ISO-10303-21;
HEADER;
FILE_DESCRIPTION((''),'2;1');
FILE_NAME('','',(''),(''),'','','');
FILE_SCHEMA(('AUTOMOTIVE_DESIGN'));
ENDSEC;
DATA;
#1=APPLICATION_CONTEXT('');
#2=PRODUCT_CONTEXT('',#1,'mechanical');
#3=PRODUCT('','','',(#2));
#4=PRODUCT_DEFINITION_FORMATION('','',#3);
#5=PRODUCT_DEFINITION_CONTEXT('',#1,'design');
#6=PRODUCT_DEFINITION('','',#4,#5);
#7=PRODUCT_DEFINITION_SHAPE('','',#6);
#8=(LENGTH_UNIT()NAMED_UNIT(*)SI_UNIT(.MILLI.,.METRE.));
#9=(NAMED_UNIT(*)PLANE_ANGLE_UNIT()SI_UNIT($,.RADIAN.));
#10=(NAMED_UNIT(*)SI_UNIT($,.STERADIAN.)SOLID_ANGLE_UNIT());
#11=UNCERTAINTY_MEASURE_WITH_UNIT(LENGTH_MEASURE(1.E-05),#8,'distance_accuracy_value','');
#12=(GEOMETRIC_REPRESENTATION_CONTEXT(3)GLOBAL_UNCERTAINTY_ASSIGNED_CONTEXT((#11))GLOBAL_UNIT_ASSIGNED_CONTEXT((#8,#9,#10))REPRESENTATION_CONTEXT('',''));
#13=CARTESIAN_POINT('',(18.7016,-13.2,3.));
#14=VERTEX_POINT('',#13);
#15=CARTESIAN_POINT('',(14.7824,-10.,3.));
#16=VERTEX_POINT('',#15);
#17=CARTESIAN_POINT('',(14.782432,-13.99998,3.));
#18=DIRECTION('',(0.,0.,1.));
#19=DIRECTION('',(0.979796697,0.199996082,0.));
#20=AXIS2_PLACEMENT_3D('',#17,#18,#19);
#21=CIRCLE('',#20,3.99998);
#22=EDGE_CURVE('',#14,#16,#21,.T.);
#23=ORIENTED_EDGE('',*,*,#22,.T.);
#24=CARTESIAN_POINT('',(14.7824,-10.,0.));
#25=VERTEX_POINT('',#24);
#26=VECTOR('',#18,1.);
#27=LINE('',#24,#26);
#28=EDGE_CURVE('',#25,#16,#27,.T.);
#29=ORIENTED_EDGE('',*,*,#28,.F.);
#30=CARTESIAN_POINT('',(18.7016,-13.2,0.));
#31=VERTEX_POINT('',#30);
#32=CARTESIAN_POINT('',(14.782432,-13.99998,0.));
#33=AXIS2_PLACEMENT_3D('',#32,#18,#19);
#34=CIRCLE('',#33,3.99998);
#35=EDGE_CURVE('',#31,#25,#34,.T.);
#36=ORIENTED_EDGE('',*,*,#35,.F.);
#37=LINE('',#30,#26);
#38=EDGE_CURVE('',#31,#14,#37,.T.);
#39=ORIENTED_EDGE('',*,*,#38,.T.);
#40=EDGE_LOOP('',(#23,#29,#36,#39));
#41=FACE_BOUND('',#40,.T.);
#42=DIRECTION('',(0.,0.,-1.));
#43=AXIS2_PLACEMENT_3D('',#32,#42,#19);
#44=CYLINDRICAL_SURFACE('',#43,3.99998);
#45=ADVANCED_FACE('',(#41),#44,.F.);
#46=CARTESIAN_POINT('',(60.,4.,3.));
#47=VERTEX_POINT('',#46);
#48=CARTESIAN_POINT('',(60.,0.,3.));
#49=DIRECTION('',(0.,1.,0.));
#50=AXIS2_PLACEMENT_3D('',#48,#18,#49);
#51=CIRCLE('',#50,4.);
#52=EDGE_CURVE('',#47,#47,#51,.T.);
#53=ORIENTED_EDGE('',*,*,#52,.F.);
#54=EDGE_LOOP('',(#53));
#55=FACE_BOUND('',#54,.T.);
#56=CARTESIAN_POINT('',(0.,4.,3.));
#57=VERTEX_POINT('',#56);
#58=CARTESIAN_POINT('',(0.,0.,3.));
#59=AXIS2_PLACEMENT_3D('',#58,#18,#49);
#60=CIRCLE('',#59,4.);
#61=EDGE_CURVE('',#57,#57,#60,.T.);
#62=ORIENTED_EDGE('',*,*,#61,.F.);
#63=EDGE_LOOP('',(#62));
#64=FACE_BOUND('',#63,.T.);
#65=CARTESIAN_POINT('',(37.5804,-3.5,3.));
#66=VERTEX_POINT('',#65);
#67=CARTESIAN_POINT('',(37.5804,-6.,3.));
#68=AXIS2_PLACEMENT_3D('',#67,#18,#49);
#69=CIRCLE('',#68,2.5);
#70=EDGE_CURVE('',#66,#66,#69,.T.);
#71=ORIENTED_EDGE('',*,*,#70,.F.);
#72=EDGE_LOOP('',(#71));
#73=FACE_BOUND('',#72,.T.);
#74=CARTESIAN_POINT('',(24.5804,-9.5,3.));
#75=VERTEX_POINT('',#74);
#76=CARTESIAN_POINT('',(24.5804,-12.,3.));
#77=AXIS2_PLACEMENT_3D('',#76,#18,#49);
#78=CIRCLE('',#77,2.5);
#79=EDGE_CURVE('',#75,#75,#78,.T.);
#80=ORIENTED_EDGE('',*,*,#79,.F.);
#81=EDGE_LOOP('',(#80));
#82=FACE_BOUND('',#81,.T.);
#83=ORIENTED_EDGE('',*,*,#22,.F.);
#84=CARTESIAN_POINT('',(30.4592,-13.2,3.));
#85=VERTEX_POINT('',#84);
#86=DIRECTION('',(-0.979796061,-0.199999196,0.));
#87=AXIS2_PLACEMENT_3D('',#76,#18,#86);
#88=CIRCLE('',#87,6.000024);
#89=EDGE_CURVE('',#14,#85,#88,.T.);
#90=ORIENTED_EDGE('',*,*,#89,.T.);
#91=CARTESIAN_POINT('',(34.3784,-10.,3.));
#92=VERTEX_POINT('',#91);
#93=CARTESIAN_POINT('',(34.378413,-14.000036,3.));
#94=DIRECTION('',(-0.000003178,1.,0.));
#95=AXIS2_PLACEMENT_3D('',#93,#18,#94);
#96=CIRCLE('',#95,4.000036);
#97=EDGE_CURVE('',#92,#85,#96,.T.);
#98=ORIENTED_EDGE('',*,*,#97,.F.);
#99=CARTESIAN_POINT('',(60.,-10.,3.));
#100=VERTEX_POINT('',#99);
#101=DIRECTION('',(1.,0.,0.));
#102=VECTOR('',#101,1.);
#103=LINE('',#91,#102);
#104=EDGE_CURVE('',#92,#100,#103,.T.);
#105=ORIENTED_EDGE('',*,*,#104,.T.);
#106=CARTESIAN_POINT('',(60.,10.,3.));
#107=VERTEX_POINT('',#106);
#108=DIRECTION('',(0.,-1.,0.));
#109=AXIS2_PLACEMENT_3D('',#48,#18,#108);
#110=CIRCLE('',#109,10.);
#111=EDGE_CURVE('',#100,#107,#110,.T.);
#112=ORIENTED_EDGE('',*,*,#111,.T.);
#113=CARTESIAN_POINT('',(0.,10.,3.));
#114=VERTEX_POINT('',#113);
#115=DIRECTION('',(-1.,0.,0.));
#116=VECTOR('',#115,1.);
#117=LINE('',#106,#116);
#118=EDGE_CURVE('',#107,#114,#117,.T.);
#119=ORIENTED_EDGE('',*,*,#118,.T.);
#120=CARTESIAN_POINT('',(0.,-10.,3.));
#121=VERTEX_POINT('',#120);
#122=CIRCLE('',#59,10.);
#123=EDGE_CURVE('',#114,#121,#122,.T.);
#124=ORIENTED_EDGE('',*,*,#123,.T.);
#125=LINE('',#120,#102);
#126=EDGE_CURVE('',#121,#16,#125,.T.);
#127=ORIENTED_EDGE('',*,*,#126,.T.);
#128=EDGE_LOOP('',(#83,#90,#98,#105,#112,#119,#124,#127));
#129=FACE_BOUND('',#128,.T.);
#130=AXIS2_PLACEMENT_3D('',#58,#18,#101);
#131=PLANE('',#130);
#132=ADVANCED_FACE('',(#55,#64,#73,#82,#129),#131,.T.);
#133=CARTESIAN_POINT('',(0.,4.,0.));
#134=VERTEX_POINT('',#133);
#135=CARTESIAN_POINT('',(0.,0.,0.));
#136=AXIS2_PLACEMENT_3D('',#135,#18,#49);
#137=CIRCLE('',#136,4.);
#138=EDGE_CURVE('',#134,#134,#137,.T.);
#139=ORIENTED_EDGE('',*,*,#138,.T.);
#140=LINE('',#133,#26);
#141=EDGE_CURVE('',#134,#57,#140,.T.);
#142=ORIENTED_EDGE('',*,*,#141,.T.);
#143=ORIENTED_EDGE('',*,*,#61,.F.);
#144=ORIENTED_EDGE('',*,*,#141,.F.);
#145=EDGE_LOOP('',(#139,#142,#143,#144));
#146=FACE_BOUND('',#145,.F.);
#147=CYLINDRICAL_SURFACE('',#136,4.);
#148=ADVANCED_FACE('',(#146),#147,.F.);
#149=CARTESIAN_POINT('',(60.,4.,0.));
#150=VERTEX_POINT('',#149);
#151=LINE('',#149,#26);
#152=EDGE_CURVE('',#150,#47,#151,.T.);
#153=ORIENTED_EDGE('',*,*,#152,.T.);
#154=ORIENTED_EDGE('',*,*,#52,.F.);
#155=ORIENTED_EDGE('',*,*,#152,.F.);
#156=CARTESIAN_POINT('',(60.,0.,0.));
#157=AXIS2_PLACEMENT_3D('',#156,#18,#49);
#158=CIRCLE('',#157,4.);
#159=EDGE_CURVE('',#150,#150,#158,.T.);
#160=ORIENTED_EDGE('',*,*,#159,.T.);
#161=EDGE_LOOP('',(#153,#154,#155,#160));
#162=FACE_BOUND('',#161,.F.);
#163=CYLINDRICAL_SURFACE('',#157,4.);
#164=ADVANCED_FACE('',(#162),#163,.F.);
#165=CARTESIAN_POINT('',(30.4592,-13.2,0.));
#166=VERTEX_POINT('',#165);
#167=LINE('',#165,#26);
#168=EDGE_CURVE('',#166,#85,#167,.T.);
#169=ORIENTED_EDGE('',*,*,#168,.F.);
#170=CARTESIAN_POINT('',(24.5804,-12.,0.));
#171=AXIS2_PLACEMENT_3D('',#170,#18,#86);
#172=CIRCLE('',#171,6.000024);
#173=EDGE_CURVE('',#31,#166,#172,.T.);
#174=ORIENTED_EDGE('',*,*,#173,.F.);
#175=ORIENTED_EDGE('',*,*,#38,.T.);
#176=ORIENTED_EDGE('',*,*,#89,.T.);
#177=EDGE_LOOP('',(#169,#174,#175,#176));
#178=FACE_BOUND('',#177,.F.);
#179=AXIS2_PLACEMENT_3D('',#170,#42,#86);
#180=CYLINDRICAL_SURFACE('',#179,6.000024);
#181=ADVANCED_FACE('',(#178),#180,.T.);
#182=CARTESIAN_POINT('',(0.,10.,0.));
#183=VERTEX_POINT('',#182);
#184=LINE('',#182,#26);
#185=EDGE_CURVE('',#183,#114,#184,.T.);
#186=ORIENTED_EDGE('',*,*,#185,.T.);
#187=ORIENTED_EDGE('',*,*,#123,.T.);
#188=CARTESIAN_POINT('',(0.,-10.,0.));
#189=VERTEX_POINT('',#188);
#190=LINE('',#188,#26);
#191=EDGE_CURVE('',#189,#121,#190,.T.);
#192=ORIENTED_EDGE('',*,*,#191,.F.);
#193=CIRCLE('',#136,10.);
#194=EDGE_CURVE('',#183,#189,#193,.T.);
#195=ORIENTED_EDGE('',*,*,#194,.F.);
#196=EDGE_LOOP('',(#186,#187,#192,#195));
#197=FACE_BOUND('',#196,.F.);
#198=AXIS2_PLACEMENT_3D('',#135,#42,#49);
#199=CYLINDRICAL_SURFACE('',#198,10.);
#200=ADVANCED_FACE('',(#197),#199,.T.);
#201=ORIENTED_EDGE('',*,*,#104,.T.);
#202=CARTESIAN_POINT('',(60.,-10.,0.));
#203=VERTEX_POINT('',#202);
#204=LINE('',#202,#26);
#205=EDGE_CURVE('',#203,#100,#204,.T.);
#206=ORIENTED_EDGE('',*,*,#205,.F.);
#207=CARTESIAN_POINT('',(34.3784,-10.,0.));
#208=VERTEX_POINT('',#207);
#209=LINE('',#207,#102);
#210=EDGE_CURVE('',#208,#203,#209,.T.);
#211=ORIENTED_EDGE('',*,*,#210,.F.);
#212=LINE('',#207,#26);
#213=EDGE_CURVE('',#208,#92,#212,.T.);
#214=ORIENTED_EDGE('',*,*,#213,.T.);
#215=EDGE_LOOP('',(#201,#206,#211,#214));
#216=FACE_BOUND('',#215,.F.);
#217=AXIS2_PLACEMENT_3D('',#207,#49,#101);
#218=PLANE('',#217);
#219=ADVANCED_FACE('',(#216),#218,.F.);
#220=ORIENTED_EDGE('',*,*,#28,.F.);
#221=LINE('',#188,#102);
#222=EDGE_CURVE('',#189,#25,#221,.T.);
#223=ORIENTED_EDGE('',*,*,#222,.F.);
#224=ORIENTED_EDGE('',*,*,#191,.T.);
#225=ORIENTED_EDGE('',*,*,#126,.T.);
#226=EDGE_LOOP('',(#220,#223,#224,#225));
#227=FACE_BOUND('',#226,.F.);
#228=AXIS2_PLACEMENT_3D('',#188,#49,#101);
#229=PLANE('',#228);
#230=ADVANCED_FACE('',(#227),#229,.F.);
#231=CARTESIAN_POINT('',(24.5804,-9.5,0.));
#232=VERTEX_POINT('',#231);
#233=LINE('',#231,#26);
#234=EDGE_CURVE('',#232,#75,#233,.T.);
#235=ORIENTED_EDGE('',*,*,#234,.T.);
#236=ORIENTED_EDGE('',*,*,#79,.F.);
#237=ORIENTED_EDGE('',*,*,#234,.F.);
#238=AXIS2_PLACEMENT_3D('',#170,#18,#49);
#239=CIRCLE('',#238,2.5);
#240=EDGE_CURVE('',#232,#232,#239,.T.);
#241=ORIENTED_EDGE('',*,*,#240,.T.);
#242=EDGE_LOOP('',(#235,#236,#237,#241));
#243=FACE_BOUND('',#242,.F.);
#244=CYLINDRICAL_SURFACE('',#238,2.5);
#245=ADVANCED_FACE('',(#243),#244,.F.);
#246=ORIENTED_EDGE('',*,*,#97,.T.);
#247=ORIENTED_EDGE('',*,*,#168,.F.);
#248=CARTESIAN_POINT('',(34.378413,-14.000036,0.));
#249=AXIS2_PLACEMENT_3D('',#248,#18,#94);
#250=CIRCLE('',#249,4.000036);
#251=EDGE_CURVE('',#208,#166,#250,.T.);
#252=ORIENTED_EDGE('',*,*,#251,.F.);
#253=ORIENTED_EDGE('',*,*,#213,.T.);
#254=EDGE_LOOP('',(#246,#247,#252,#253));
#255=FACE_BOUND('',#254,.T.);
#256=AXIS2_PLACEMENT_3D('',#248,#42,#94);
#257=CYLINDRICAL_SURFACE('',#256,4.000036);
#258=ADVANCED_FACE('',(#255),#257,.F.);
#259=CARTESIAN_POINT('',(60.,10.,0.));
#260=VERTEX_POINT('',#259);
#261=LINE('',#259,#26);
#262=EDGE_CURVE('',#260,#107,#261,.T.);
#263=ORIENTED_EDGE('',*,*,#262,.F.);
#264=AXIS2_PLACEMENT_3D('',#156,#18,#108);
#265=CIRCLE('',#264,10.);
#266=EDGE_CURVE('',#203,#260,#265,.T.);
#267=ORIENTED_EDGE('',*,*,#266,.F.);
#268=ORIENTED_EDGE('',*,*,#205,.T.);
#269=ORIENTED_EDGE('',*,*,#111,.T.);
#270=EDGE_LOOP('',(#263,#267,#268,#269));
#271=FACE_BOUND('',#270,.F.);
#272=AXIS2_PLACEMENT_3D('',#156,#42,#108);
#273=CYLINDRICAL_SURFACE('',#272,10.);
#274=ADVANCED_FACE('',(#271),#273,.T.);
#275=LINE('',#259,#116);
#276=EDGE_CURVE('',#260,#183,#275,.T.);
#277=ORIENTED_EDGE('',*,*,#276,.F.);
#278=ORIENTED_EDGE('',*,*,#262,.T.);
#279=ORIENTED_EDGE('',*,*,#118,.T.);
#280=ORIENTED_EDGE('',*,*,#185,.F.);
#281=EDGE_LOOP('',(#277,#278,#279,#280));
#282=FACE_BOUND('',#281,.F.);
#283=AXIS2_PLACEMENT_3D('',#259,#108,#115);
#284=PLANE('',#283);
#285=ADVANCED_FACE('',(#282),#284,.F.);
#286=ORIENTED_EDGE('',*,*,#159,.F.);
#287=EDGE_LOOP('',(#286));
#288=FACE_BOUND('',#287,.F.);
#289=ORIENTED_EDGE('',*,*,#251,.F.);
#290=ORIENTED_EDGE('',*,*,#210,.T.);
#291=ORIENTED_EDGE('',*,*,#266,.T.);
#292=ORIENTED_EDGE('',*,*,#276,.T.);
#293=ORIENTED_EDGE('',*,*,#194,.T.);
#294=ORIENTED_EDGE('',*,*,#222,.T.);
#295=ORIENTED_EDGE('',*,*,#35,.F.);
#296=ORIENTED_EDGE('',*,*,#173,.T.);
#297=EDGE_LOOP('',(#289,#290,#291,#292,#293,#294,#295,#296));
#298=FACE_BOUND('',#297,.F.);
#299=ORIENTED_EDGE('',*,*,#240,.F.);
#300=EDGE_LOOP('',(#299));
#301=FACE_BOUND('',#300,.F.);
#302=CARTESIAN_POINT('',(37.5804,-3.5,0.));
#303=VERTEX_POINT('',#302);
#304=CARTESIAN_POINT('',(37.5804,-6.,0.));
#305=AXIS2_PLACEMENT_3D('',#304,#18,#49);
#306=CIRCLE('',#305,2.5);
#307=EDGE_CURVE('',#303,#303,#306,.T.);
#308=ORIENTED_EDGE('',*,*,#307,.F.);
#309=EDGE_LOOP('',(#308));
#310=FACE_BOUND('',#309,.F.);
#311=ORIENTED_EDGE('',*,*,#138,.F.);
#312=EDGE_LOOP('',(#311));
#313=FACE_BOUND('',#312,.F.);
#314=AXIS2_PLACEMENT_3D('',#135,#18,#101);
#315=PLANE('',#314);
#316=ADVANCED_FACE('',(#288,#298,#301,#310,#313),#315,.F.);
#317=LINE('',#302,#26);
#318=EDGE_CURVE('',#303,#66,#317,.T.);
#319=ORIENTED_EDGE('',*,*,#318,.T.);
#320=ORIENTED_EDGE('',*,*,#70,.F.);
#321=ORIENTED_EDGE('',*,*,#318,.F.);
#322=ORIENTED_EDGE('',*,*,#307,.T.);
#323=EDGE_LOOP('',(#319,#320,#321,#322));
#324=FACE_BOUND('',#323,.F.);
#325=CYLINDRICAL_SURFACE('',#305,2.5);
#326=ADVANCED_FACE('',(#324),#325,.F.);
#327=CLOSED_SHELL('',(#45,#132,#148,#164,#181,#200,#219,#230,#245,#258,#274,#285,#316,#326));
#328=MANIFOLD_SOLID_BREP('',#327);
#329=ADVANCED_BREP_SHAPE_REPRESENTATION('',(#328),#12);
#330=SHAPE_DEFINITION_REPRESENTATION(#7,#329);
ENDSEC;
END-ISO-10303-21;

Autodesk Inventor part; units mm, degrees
ref_plane "YZ Plane" through (0, 0, 0) normal (1, 0, 0) x (0, 1, 0)
ref_plane "XZ Plane" through (0, 0, 0) normal (0, 1, 0) x (-1, 0, 0)
ref_plane "XY Plane" through (0, 0, 0) normal (0, 0, 1) x (1, 0, 0)
sketch "Szkic1" plane through (0, 0, 0) normal (0, 0, 1) x (1, 0, 0)
  line L0 (0, 0) -> (60, 0) construction
  line L1 (0, -10) -> (14.7824, -10)
  line L2 (60, 10) -> (0, 10)
  arc A0 (0, 10) -> (0, -10) centre (0, 0) ccw
  arc A1 (60, -10) -> (60, 10) centre (60, 0) ccw
  arc A2 (30.2373, -10) -> (18.9235, -10) centre (24.5804, -12) ccw construction
  arc A3 (18.7016, -13.2) -> (30.4592, -13.2) centre (24.5804, -12) ccw
  line L3 (34.3784, -10) -> (60, -10)
  line L4 (18.9235, -10) -> (30.2373, -10)
  arc A4 (34.3784, -10) -> (30.4592, -13.2) centre (34.3784, -14) ccw
  arc A5 (18.7016, -13.2) -> (14.7824, -10) centre (14.7824, -14) ccw
  point P0 (30, 0)
  point P1 (37.5804, -6)
  point P2 (29.5804, -5)
  dimension "d0" = 60
  dimension "d1" = 20
  dimension "d20" = 12
  dimension "d21" = 4
  dimension "d22" = 13
  dimension "d23" = 6
  dimension "d24" = 30
  dimension "d25" = 1
  dimension "d26" = 8
  dimension "d27" = 5
extrude "Wyciągnięcie proste1" add sketch "Szkic1" along normal blind 3
hole "Otwór1" at (0, 0, 0) at (60, 0, 0) direction (0, 0, 1) diameter 8 end through all
hole "Otwór2" at (37.5804, -6, 0) at (24.5804, -12, 0) direction (0, 0, 1) diameter 5 end through all
properties part number "ramie_1_wahacza"
